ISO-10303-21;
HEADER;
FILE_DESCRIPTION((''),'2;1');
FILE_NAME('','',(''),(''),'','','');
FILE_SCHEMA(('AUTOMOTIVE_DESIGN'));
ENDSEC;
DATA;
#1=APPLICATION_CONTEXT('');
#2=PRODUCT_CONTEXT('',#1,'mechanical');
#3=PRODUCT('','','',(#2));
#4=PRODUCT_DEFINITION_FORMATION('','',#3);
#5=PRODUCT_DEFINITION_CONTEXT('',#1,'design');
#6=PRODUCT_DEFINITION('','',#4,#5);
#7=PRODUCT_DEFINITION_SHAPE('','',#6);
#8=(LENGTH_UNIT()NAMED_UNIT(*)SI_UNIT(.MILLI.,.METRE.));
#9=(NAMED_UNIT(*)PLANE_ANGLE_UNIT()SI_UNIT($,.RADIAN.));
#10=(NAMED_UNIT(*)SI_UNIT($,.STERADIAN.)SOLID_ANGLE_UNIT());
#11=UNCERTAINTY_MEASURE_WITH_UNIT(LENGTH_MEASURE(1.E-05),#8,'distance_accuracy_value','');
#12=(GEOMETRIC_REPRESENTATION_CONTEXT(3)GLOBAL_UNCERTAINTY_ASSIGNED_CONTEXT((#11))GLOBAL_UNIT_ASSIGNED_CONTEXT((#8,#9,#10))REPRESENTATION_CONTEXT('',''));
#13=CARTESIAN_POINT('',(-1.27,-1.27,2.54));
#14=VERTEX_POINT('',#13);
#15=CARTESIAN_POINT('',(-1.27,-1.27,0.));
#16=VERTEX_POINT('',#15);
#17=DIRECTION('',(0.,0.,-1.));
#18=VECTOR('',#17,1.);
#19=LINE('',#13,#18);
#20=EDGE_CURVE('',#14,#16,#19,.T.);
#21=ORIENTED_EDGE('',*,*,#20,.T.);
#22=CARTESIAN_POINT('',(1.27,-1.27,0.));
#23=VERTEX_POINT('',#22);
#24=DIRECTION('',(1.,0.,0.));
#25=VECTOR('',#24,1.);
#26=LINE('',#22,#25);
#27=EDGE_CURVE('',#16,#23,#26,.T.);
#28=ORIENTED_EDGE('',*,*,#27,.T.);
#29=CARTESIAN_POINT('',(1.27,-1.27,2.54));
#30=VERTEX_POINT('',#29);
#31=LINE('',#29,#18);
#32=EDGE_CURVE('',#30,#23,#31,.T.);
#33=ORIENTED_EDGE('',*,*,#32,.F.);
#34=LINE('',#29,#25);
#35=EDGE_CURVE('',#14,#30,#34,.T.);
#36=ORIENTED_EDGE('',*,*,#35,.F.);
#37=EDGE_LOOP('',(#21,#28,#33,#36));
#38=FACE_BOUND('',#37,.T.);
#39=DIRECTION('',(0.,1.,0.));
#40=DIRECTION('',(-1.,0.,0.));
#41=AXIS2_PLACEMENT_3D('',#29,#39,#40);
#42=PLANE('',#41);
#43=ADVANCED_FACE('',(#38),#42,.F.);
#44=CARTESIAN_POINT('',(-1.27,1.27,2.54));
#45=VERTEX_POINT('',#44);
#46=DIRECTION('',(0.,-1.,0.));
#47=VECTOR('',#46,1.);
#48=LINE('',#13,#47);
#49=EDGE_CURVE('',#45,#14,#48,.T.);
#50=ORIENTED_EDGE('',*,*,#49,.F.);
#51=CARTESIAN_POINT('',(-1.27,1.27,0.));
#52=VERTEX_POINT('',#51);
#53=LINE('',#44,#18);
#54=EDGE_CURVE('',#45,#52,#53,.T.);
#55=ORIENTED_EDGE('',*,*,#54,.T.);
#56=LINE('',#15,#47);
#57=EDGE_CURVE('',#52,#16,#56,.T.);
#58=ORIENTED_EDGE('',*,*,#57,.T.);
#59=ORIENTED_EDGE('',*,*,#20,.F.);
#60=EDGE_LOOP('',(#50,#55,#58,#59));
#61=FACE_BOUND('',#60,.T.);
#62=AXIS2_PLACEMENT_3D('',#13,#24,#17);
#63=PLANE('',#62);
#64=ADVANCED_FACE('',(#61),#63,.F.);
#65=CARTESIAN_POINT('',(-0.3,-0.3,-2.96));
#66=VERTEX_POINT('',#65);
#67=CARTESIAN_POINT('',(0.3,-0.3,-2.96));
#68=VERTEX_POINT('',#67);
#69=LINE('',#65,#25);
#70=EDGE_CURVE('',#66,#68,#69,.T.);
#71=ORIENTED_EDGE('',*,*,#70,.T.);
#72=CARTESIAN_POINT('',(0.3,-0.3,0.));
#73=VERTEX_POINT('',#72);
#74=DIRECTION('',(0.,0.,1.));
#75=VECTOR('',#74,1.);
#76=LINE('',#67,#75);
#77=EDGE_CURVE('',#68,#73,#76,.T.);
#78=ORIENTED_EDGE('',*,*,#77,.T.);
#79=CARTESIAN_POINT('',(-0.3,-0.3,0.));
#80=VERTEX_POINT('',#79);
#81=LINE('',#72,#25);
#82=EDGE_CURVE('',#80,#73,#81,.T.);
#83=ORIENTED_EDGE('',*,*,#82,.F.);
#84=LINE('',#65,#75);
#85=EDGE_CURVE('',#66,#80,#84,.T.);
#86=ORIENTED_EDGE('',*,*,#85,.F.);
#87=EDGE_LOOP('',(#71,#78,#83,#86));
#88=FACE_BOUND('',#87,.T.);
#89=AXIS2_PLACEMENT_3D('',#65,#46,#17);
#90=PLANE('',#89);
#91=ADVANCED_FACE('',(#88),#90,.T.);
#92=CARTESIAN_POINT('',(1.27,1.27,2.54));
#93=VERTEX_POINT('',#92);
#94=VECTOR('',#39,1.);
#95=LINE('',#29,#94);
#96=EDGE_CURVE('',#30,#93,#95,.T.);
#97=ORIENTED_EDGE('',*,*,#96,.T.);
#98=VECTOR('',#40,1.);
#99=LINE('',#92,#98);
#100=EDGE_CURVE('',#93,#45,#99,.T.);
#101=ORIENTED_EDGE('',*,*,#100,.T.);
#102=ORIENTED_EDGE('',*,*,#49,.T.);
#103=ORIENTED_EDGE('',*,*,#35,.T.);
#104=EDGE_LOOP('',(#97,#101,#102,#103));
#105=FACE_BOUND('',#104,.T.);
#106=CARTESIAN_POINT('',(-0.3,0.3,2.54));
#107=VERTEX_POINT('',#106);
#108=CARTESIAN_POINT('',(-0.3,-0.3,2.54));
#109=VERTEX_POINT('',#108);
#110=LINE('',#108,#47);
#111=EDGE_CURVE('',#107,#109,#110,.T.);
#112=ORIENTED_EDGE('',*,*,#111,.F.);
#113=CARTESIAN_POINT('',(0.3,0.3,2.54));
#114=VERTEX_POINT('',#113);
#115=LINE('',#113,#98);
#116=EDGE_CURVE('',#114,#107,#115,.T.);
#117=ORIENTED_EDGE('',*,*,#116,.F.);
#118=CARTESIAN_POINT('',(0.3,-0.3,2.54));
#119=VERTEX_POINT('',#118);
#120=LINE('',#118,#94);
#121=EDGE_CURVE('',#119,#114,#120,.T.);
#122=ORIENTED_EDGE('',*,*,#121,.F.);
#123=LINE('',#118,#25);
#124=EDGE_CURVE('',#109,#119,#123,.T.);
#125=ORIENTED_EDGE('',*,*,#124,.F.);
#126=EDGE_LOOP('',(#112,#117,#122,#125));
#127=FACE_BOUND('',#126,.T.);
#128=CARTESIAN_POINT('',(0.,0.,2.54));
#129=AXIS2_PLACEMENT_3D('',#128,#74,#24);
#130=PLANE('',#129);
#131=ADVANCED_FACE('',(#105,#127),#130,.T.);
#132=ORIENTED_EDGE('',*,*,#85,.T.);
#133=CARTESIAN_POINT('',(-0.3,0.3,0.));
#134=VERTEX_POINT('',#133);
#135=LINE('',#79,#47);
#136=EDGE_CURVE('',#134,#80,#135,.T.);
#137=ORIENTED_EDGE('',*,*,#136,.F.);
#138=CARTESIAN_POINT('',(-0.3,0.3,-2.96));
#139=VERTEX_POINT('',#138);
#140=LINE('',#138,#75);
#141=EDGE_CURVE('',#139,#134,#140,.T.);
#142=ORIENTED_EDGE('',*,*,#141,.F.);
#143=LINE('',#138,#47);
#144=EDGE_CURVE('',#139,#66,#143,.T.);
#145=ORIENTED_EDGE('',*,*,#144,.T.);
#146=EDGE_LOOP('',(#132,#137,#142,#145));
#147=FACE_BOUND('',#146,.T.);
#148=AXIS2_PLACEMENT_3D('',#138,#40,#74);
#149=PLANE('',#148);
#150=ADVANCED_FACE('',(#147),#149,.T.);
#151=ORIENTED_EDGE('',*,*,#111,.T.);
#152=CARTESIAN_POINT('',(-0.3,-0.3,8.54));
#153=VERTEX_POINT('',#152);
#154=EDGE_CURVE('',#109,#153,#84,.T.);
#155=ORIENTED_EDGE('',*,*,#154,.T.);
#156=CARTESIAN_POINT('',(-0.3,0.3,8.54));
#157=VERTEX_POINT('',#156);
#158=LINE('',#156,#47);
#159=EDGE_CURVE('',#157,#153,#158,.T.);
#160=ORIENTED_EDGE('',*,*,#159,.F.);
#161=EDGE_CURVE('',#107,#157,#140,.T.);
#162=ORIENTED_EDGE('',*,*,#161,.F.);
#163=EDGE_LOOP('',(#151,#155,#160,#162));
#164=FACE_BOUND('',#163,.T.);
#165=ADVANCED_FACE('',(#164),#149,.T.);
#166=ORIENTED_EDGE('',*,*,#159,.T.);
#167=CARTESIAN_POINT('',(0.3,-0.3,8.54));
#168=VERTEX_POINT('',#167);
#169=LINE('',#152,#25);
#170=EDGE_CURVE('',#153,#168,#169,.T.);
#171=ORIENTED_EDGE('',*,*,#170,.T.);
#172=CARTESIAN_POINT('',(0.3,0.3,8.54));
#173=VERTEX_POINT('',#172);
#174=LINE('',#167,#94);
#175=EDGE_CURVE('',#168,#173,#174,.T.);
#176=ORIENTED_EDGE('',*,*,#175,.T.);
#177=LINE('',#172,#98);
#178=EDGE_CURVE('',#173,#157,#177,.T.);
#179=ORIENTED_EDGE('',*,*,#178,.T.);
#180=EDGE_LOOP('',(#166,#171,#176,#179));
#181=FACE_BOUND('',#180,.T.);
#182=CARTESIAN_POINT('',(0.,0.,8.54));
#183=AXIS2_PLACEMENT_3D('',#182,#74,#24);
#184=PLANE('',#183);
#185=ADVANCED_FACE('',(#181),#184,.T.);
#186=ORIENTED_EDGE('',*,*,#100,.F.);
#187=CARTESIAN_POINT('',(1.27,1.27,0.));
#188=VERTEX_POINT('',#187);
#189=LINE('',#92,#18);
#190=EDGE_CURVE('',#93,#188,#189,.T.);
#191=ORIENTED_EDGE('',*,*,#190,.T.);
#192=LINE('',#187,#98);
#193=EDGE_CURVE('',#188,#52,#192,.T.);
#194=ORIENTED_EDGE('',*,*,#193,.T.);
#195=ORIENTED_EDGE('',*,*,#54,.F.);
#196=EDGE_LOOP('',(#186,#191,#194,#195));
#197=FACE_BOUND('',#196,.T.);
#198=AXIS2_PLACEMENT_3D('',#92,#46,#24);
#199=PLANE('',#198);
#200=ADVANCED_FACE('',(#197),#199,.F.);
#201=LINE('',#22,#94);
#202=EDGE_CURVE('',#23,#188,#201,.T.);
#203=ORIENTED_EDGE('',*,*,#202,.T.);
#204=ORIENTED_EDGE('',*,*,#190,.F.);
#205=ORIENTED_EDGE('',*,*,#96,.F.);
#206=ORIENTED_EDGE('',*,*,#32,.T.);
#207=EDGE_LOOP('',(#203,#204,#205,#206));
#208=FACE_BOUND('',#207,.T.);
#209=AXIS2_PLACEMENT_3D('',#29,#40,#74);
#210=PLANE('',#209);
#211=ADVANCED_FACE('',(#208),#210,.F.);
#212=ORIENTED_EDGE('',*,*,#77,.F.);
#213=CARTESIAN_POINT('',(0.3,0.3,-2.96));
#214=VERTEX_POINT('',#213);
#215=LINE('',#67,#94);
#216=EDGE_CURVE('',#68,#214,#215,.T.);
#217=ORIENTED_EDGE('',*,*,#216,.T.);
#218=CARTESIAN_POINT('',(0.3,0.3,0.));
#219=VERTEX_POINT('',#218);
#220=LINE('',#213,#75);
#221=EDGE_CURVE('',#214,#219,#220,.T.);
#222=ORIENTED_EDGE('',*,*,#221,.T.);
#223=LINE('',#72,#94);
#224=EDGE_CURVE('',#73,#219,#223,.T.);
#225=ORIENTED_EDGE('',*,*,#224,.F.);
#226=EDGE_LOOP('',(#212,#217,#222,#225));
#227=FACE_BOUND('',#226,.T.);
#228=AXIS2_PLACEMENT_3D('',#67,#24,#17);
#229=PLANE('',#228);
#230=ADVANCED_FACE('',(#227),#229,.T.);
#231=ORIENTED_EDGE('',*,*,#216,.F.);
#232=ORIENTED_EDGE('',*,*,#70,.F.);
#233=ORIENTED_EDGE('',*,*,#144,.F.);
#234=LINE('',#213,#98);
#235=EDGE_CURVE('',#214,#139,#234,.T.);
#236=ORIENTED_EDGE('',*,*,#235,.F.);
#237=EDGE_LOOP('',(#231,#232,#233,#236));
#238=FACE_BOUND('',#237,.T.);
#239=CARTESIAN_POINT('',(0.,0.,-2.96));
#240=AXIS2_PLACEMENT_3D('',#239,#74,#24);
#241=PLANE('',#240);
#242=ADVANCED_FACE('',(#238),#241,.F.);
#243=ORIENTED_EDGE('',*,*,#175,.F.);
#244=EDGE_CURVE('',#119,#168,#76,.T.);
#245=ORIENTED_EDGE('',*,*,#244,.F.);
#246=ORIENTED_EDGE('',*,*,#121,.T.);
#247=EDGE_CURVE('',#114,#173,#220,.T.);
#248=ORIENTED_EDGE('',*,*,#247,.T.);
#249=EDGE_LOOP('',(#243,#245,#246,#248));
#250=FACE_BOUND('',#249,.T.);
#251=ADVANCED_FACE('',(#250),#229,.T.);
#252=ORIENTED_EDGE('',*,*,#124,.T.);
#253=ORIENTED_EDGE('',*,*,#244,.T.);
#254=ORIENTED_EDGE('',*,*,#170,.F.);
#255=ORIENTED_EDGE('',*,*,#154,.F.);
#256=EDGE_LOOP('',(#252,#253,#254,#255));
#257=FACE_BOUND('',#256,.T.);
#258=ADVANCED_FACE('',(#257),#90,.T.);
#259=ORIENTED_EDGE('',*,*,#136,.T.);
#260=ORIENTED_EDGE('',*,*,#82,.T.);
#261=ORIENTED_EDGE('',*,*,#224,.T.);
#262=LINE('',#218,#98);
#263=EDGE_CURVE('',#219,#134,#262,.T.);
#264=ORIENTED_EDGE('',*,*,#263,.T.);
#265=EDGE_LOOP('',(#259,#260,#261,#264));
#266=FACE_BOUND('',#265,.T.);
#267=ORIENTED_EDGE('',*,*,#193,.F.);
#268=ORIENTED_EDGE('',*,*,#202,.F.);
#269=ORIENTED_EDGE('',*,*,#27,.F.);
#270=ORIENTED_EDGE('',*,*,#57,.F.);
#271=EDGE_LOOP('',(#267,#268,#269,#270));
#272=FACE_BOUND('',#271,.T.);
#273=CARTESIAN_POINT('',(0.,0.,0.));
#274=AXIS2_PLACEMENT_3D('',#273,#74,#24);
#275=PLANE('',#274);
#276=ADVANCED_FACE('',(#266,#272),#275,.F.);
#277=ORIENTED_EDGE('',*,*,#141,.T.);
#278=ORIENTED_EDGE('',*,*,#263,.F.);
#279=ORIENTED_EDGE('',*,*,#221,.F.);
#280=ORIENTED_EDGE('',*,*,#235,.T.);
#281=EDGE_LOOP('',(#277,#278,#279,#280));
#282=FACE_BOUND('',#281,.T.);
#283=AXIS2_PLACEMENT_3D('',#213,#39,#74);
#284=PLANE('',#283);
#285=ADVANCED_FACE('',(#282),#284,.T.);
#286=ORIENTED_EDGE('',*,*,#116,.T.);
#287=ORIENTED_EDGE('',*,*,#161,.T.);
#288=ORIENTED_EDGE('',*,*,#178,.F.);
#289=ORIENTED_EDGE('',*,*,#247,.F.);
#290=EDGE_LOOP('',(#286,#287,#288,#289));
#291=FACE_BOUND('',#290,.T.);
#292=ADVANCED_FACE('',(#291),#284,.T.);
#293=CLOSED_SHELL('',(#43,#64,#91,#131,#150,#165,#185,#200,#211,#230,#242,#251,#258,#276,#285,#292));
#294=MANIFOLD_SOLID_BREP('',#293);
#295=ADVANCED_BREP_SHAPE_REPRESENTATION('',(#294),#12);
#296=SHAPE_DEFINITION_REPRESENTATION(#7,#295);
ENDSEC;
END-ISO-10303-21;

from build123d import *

# Parameters (mm, degrees)
CROQUIS1_W                   = 2.54
CROQUIS1_H                   = 2.54
CROQUIS1_W_2                 = 0.6
CROQUIS1_H_2                 = 0.6
SALIENTE_EXTRUIR1_DEPTH      = 2.54
SALIENTE_EXTRUIR2_DEPTH      = 6
SALIENTE_EXTRUIR2_DEPTH_BACK = 5.5
CROQUIS2_W                   = 0.6
CROQUIS2_H                   = 0.6


with BuildPart() as part:
    # Croquis1 → Saliente-Extruir1 (new body)
    with BuildSketch(Plane.XY):
        Rectangle(CROQUIS1_W, CROQUIS1_H)
        Rectangle(CROQUIS1_W_2, CROQUIS1_H_2, mode=Mode.SUBTRACT)
    extrude(amount=SALIENTE_EXTRUIR1_DEPTH)

    # Croquis2 → Saliente-Extruir2 (add, two sides: drawn at the far end of the back side and taken through both)
    with BuildSketch(Plane.XY.offset(2.54).offset(-SALIENTE_EXTRUIR2_DEPTH_BACK)):
        Rectangle(CROQUIS2_W, CROQUIS2_H)
    extrude(amount=SALIENTE_EXTRUIR2_DEPTH + SALIENTE_EXTRUIR2_DEPTH_BACK)


solid = part.part
